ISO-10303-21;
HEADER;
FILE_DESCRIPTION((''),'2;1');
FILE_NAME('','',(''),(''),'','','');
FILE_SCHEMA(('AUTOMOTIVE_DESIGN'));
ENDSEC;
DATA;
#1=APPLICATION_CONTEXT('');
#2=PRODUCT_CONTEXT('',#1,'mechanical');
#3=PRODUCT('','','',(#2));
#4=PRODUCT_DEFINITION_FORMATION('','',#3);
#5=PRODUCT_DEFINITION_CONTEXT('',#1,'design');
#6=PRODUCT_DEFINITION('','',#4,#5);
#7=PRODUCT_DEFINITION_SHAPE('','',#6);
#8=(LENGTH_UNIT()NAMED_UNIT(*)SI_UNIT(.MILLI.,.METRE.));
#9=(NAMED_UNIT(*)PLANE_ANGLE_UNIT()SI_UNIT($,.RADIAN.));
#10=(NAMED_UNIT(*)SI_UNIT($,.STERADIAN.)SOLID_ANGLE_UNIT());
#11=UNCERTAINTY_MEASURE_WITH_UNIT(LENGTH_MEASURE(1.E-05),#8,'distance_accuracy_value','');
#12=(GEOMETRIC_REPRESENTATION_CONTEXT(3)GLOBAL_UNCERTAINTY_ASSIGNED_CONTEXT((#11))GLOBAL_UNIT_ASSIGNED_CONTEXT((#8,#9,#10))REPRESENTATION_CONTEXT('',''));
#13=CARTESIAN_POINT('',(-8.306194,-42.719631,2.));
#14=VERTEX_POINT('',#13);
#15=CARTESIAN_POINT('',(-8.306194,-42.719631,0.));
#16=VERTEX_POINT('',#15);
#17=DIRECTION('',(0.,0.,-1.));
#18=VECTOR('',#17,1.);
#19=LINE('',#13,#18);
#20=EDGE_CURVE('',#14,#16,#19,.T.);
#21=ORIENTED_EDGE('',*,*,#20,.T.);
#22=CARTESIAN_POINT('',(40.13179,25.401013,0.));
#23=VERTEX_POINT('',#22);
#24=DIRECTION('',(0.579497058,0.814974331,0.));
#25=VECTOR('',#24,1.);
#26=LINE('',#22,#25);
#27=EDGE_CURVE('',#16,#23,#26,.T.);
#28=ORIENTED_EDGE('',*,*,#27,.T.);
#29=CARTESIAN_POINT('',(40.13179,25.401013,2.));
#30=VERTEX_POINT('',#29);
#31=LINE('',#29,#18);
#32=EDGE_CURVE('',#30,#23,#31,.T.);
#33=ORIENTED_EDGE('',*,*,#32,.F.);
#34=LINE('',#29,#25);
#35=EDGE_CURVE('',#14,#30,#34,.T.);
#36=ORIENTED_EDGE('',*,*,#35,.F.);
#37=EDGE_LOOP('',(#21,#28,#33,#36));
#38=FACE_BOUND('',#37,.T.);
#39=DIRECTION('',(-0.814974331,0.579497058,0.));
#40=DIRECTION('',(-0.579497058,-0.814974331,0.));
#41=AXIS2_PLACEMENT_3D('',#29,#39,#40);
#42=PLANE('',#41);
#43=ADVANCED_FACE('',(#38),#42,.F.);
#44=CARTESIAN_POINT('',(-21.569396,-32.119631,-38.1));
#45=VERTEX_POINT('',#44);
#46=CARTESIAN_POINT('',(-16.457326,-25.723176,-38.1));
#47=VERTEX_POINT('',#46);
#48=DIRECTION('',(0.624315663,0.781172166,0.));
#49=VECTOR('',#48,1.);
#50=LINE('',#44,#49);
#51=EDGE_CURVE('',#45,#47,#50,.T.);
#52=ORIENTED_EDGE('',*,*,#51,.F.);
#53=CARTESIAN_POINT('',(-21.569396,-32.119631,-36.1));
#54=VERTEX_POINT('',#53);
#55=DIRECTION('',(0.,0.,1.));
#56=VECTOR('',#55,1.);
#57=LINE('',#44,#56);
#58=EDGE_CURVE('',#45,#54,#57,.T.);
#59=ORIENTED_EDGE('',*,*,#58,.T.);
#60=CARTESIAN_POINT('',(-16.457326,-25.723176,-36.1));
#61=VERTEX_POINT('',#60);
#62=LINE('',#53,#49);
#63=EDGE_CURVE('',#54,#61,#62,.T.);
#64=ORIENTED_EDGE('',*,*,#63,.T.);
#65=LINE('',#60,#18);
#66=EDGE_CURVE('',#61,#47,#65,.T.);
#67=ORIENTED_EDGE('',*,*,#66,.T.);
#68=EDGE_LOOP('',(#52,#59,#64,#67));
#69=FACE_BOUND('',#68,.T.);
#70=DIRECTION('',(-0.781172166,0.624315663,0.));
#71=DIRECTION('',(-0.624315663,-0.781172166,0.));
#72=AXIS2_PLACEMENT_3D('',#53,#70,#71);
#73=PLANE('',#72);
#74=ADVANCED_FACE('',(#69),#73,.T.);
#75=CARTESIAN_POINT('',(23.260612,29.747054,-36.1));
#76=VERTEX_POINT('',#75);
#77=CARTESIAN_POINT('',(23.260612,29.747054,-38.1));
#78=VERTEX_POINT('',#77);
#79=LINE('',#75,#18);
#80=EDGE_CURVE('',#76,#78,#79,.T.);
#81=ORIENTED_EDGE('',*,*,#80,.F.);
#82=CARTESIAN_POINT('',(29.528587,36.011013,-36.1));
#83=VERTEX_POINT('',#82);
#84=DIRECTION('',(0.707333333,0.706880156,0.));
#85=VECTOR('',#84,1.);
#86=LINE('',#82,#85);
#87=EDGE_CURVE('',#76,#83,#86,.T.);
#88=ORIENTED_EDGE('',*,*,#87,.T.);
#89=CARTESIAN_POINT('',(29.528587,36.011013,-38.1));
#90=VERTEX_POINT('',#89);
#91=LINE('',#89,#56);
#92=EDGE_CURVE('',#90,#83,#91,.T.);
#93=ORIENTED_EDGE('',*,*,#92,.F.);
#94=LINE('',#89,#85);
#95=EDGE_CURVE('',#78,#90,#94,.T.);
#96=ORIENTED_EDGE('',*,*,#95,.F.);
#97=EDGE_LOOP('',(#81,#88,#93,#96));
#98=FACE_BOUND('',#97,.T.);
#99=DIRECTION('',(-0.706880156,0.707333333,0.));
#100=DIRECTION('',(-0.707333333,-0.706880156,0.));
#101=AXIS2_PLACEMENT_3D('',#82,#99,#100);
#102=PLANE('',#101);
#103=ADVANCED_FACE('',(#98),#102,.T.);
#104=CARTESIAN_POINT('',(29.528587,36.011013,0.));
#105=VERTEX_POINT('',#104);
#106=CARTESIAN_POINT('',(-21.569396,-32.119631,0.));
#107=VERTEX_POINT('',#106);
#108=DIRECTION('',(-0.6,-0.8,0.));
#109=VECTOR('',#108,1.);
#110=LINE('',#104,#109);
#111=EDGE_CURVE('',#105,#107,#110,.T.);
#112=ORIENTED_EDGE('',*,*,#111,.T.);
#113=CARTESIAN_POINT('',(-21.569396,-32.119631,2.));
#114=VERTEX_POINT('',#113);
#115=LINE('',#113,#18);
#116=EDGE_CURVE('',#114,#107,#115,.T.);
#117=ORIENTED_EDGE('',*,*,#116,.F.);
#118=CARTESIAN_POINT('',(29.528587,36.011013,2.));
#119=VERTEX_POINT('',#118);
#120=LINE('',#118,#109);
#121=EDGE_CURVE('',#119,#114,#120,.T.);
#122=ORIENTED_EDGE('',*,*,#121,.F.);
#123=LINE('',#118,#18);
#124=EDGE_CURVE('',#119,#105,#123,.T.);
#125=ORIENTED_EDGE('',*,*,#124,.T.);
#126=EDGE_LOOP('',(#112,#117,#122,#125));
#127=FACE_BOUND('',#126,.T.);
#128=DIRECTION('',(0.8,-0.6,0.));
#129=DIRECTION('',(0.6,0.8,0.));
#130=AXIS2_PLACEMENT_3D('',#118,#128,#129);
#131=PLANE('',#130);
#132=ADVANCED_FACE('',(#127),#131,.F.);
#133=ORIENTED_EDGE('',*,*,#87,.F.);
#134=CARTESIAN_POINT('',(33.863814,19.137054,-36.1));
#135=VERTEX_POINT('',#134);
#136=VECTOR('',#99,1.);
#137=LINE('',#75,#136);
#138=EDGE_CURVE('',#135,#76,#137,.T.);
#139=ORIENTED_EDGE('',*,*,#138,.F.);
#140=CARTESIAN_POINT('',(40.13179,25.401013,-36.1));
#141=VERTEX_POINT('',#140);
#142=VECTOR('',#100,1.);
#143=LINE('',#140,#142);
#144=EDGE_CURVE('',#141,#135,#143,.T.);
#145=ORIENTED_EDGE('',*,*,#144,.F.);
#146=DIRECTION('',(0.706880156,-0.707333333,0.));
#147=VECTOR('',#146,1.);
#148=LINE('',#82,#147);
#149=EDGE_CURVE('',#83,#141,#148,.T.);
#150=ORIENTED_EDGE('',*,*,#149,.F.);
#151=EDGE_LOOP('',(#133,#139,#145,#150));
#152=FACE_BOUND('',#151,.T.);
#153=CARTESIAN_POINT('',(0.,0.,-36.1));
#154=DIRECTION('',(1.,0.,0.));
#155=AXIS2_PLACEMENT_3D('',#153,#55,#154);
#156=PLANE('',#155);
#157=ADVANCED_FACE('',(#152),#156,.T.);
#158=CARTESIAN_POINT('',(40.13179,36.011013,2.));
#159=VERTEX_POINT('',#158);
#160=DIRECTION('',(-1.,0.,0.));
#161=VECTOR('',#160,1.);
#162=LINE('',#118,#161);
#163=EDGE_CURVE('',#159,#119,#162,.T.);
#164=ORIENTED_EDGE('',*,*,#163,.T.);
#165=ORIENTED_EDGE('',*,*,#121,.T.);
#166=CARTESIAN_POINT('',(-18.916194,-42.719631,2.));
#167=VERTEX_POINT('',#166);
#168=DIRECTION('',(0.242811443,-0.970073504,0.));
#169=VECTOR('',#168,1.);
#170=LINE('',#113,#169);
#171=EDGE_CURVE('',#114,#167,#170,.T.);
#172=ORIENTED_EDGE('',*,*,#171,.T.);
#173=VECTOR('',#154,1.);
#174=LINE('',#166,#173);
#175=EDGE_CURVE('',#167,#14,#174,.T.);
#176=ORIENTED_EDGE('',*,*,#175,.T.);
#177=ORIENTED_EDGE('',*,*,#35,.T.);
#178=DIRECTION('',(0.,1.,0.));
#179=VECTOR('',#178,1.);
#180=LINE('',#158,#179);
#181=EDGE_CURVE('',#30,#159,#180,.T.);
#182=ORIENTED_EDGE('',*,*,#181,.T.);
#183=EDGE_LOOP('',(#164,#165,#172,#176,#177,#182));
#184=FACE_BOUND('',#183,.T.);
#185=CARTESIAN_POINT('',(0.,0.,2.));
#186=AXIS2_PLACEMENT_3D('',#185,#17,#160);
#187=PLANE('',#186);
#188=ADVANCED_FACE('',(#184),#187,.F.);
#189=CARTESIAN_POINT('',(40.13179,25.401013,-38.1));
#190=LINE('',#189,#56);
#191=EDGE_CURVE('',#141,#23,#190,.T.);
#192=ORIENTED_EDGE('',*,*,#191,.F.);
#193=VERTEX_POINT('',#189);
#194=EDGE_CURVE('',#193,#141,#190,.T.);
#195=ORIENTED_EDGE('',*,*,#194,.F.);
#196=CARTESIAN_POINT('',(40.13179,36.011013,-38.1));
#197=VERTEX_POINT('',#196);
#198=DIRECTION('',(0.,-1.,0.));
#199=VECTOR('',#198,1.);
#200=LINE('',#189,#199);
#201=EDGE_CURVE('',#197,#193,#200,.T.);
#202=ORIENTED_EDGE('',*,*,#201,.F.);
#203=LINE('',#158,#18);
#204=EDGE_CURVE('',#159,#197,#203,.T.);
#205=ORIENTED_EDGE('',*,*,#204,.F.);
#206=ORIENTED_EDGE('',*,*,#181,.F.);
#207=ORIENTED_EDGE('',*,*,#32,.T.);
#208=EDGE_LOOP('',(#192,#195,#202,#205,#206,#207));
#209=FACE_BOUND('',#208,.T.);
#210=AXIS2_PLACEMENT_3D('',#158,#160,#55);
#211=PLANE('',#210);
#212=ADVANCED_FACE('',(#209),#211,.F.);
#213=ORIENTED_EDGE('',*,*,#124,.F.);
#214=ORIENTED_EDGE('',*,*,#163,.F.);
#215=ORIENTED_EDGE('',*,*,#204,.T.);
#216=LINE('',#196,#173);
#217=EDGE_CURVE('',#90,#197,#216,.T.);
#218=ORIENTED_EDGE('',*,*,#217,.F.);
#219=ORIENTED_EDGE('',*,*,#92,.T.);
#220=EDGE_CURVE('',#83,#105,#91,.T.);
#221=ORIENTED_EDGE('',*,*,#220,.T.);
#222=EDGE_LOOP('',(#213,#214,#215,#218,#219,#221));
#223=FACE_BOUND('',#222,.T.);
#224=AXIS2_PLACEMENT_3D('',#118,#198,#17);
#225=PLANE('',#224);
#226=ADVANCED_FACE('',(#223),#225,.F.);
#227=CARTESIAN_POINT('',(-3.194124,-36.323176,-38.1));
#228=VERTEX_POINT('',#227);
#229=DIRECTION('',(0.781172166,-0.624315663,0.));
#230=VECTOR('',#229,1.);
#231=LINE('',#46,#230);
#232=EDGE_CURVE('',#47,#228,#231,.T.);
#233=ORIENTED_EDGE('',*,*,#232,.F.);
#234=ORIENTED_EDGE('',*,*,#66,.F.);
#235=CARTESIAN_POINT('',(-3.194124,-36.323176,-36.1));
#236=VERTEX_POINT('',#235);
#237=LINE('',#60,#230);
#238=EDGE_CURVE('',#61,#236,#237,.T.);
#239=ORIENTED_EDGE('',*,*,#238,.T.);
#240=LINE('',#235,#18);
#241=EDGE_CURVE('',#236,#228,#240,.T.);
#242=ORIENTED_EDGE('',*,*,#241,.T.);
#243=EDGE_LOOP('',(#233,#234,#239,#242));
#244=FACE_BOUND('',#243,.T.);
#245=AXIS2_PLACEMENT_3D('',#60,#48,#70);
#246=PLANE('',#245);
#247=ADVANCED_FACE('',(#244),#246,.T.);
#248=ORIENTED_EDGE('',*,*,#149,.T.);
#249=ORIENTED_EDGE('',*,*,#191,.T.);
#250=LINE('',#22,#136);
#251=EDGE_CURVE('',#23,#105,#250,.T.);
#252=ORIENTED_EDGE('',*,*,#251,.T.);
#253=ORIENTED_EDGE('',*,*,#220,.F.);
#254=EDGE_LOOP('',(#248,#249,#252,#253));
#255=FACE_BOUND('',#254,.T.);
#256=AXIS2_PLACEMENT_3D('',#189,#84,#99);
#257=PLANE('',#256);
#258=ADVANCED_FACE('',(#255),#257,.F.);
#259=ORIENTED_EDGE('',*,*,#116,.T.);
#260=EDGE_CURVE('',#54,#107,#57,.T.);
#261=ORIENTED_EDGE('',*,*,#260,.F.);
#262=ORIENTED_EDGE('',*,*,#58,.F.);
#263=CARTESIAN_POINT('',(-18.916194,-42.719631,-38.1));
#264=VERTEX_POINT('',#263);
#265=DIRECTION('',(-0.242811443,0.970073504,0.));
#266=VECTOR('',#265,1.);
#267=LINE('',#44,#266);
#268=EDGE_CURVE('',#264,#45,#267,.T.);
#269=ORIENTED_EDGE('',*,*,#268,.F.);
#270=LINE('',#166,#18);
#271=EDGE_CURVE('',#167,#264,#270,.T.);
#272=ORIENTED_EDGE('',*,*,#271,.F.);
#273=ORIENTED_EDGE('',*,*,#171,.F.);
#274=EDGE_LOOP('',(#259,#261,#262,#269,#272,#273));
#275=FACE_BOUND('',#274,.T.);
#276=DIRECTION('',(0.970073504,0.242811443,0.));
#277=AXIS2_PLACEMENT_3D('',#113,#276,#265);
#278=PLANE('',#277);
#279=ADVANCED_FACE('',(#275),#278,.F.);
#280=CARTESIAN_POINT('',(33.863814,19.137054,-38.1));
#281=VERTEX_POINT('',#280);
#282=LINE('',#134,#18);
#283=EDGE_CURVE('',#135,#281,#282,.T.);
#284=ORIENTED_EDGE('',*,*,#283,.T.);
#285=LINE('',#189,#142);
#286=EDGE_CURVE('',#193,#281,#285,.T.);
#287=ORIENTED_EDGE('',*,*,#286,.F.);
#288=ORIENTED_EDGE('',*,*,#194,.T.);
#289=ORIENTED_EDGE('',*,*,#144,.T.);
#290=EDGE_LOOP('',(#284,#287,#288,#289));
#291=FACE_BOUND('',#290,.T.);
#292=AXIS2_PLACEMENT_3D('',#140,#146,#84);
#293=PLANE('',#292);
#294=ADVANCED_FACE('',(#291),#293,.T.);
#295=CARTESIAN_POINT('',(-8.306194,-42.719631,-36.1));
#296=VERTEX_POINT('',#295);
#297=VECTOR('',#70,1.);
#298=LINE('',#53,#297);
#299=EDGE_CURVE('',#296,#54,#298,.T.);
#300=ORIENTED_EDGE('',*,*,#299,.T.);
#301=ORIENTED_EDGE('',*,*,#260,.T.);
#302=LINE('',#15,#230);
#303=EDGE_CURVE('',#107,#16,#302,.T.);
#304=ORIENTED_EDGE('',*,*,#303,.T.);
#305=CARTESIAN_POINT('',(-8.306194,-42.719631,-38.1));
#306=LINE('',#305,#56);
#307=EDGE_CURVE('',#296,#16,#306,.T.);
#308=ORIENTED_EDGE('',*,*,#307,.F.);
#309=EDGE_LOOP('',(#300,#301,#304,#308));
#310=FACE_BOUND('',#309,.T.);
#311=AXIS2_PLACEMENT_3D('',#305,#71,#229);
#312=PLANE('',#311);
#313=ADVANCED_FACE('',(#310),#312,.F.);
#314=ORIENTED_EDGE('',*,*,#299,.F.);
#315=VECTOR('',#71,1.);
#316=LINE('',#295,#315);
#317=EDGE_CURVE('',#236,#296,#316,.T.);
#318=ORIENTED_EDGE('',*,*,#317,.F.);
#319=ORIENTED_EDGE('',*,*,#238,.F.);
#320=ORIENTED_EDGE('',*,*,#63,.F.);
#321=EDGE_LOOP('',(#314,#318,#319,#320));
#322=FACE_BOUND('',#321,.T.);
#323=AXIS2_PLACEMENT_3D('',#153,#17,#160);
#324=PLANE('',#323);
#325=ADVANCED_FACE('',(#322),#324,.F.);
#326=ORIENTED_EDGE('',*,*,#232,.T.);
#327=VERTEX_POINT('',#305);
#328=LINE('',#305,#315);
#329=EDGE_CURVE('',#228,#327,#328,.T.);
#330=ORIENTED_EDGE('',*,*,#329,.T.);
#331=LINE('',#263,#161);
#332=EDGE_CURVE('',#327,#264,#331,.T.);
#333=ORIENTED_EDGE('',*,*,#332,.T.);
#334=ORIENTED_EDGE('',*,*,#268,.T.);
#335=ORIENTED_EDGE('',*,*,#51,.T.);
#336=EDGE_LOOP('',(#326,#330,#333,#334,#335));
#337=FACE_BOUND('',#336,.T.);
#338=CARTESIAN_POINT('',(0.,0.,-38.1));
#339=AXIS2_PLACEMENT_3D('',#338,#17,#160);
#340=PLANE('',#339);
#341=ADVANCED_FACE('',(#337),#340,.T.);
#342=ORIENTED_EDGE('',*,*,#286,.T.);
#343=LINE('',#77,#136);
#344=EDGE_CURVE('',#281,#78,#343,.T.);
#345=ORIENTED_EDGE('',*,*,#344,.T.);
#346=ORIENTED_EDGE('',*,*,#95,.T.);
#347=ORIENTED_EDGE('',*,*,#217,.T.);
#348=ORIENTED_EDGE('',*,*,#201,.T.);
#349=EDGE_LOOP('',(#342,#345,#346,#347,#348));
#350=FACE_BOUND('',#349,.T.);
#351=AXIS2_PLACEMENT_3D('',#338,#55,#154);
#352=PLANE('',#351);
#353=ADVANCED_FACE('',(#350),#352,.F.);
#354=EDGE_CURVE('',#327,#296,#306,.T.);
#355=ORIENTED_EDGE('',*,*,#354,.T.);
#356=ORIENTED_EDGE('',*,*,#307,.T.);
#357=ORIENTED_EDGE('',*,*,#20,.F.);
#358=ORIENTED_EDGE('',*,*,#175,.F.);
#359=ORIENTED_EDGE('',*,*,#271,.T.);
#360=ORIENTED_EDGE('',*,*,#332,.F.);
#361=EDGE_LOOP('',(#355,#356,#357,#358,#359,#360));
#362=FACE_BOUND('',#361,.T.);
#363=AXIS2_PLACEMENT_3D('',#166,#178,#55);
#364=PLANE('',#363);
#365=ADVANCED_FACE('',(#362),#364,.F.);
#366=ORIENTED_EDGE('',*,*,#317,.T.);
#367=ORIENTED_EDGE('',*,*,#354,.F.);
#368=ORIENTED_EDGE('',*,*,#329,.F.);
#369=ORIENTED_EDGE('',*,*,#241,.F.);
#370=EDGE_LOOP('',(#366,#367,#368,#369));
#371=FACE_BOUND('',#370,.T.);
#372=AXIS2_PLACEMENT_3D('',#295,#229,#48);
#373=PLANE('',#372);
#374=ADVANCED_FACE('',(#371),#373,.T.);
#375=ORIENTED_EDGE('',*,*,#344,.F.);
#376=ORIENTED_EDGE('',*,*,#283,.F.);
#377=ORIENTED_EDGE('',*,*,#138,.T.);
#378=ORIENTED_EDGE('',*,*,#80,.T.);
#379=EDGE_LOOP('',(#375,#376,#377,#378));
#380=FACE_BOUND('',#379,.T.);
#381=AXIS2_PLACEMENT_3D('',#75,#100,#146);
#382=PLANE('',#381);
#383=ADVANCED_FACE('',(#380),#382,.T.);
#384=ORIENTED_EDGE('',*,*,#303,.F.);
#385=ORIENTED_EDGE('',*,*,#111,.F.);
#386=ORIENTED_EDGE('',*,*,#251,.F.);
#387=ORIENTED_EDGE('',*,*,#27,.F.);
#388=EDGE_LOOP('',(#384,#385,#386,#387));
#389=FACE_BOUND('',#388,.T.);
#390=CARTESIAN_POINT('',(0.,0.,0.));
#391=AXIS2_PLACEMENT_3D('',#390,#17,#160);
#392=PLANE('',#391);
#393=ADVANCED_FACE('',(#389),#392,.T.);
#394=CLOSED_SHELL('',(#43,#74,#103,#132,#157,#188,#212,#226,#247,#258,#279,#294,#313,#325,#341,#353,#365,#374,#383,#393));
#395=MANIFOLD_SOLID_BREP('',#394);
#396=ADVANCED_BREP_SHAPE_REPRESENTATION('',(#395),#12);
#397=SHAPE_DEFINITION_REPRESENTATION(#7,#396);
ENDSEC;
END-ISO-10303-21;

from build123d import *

# Parameters (mm, degrees)
BOSS_EXTRUDE1_DEPTH = 2
BOSS_EXTRUDE2_DEPTH = 38.1
BOSS_EXTRUDE3_DEPTH = 2


with BuildPart() as part:
    # Sketch1 → Boss-Extrude1 (new body)
    with BuildSketch(Plane.XY):
        Polygon((29.528587169, 36.011013454), (-21.569396066, -32.119630858), (-18.916193719, -42.719630858), (-8.306193719, -42.719630858), (40.131789515, 25.401013454), (40.131789515, 36.011013454), align=None)
    extrude(amount=BOSS_EXTRUDE1_DEPTH)

    # Sketch2 → Boss-Extrude2 (add)
    with BuildSketch(Plane(origin=(0, 0, 0), x_dir=(-1, 0, 0), z_dir=(0, 0, -1))):
        Polygon((-40.131789515, 25.401013454), (-29.528587169, 36.011013454), (-40.131789515, 36.011013454), align=None)
        Polygon((8.306193719, -42.719630858), (21.569396066, -32.119630858), (18.916193719, -42.719630858), align=None)
    extrude(amount=BOSS_EXTRUDE2_DEPTH)

    # Sketch3 → Boss-Extrude3 (add)
    with BuildSketch(Plane(origin=(0, 0, -38.1), x_dir=(-1, 0, 0), z_dir=(0, 0, -1))):
        Polygon((21.569396066, -32.119630858), (8.306193719, -42.719630858), (3.194123868, -36.323176439), (16.457326214, -25.723176439), align=None)
        Polygon((-29.528587169, 36.011013454), (-40.131789515, 25.401013454), (-33.863813996, 19.137053724), (-23.260611649, 29.747053724), align=None)
    extrude(amount=-BOSS_EXTRUDE3_DEPTH)


solid = part.part
